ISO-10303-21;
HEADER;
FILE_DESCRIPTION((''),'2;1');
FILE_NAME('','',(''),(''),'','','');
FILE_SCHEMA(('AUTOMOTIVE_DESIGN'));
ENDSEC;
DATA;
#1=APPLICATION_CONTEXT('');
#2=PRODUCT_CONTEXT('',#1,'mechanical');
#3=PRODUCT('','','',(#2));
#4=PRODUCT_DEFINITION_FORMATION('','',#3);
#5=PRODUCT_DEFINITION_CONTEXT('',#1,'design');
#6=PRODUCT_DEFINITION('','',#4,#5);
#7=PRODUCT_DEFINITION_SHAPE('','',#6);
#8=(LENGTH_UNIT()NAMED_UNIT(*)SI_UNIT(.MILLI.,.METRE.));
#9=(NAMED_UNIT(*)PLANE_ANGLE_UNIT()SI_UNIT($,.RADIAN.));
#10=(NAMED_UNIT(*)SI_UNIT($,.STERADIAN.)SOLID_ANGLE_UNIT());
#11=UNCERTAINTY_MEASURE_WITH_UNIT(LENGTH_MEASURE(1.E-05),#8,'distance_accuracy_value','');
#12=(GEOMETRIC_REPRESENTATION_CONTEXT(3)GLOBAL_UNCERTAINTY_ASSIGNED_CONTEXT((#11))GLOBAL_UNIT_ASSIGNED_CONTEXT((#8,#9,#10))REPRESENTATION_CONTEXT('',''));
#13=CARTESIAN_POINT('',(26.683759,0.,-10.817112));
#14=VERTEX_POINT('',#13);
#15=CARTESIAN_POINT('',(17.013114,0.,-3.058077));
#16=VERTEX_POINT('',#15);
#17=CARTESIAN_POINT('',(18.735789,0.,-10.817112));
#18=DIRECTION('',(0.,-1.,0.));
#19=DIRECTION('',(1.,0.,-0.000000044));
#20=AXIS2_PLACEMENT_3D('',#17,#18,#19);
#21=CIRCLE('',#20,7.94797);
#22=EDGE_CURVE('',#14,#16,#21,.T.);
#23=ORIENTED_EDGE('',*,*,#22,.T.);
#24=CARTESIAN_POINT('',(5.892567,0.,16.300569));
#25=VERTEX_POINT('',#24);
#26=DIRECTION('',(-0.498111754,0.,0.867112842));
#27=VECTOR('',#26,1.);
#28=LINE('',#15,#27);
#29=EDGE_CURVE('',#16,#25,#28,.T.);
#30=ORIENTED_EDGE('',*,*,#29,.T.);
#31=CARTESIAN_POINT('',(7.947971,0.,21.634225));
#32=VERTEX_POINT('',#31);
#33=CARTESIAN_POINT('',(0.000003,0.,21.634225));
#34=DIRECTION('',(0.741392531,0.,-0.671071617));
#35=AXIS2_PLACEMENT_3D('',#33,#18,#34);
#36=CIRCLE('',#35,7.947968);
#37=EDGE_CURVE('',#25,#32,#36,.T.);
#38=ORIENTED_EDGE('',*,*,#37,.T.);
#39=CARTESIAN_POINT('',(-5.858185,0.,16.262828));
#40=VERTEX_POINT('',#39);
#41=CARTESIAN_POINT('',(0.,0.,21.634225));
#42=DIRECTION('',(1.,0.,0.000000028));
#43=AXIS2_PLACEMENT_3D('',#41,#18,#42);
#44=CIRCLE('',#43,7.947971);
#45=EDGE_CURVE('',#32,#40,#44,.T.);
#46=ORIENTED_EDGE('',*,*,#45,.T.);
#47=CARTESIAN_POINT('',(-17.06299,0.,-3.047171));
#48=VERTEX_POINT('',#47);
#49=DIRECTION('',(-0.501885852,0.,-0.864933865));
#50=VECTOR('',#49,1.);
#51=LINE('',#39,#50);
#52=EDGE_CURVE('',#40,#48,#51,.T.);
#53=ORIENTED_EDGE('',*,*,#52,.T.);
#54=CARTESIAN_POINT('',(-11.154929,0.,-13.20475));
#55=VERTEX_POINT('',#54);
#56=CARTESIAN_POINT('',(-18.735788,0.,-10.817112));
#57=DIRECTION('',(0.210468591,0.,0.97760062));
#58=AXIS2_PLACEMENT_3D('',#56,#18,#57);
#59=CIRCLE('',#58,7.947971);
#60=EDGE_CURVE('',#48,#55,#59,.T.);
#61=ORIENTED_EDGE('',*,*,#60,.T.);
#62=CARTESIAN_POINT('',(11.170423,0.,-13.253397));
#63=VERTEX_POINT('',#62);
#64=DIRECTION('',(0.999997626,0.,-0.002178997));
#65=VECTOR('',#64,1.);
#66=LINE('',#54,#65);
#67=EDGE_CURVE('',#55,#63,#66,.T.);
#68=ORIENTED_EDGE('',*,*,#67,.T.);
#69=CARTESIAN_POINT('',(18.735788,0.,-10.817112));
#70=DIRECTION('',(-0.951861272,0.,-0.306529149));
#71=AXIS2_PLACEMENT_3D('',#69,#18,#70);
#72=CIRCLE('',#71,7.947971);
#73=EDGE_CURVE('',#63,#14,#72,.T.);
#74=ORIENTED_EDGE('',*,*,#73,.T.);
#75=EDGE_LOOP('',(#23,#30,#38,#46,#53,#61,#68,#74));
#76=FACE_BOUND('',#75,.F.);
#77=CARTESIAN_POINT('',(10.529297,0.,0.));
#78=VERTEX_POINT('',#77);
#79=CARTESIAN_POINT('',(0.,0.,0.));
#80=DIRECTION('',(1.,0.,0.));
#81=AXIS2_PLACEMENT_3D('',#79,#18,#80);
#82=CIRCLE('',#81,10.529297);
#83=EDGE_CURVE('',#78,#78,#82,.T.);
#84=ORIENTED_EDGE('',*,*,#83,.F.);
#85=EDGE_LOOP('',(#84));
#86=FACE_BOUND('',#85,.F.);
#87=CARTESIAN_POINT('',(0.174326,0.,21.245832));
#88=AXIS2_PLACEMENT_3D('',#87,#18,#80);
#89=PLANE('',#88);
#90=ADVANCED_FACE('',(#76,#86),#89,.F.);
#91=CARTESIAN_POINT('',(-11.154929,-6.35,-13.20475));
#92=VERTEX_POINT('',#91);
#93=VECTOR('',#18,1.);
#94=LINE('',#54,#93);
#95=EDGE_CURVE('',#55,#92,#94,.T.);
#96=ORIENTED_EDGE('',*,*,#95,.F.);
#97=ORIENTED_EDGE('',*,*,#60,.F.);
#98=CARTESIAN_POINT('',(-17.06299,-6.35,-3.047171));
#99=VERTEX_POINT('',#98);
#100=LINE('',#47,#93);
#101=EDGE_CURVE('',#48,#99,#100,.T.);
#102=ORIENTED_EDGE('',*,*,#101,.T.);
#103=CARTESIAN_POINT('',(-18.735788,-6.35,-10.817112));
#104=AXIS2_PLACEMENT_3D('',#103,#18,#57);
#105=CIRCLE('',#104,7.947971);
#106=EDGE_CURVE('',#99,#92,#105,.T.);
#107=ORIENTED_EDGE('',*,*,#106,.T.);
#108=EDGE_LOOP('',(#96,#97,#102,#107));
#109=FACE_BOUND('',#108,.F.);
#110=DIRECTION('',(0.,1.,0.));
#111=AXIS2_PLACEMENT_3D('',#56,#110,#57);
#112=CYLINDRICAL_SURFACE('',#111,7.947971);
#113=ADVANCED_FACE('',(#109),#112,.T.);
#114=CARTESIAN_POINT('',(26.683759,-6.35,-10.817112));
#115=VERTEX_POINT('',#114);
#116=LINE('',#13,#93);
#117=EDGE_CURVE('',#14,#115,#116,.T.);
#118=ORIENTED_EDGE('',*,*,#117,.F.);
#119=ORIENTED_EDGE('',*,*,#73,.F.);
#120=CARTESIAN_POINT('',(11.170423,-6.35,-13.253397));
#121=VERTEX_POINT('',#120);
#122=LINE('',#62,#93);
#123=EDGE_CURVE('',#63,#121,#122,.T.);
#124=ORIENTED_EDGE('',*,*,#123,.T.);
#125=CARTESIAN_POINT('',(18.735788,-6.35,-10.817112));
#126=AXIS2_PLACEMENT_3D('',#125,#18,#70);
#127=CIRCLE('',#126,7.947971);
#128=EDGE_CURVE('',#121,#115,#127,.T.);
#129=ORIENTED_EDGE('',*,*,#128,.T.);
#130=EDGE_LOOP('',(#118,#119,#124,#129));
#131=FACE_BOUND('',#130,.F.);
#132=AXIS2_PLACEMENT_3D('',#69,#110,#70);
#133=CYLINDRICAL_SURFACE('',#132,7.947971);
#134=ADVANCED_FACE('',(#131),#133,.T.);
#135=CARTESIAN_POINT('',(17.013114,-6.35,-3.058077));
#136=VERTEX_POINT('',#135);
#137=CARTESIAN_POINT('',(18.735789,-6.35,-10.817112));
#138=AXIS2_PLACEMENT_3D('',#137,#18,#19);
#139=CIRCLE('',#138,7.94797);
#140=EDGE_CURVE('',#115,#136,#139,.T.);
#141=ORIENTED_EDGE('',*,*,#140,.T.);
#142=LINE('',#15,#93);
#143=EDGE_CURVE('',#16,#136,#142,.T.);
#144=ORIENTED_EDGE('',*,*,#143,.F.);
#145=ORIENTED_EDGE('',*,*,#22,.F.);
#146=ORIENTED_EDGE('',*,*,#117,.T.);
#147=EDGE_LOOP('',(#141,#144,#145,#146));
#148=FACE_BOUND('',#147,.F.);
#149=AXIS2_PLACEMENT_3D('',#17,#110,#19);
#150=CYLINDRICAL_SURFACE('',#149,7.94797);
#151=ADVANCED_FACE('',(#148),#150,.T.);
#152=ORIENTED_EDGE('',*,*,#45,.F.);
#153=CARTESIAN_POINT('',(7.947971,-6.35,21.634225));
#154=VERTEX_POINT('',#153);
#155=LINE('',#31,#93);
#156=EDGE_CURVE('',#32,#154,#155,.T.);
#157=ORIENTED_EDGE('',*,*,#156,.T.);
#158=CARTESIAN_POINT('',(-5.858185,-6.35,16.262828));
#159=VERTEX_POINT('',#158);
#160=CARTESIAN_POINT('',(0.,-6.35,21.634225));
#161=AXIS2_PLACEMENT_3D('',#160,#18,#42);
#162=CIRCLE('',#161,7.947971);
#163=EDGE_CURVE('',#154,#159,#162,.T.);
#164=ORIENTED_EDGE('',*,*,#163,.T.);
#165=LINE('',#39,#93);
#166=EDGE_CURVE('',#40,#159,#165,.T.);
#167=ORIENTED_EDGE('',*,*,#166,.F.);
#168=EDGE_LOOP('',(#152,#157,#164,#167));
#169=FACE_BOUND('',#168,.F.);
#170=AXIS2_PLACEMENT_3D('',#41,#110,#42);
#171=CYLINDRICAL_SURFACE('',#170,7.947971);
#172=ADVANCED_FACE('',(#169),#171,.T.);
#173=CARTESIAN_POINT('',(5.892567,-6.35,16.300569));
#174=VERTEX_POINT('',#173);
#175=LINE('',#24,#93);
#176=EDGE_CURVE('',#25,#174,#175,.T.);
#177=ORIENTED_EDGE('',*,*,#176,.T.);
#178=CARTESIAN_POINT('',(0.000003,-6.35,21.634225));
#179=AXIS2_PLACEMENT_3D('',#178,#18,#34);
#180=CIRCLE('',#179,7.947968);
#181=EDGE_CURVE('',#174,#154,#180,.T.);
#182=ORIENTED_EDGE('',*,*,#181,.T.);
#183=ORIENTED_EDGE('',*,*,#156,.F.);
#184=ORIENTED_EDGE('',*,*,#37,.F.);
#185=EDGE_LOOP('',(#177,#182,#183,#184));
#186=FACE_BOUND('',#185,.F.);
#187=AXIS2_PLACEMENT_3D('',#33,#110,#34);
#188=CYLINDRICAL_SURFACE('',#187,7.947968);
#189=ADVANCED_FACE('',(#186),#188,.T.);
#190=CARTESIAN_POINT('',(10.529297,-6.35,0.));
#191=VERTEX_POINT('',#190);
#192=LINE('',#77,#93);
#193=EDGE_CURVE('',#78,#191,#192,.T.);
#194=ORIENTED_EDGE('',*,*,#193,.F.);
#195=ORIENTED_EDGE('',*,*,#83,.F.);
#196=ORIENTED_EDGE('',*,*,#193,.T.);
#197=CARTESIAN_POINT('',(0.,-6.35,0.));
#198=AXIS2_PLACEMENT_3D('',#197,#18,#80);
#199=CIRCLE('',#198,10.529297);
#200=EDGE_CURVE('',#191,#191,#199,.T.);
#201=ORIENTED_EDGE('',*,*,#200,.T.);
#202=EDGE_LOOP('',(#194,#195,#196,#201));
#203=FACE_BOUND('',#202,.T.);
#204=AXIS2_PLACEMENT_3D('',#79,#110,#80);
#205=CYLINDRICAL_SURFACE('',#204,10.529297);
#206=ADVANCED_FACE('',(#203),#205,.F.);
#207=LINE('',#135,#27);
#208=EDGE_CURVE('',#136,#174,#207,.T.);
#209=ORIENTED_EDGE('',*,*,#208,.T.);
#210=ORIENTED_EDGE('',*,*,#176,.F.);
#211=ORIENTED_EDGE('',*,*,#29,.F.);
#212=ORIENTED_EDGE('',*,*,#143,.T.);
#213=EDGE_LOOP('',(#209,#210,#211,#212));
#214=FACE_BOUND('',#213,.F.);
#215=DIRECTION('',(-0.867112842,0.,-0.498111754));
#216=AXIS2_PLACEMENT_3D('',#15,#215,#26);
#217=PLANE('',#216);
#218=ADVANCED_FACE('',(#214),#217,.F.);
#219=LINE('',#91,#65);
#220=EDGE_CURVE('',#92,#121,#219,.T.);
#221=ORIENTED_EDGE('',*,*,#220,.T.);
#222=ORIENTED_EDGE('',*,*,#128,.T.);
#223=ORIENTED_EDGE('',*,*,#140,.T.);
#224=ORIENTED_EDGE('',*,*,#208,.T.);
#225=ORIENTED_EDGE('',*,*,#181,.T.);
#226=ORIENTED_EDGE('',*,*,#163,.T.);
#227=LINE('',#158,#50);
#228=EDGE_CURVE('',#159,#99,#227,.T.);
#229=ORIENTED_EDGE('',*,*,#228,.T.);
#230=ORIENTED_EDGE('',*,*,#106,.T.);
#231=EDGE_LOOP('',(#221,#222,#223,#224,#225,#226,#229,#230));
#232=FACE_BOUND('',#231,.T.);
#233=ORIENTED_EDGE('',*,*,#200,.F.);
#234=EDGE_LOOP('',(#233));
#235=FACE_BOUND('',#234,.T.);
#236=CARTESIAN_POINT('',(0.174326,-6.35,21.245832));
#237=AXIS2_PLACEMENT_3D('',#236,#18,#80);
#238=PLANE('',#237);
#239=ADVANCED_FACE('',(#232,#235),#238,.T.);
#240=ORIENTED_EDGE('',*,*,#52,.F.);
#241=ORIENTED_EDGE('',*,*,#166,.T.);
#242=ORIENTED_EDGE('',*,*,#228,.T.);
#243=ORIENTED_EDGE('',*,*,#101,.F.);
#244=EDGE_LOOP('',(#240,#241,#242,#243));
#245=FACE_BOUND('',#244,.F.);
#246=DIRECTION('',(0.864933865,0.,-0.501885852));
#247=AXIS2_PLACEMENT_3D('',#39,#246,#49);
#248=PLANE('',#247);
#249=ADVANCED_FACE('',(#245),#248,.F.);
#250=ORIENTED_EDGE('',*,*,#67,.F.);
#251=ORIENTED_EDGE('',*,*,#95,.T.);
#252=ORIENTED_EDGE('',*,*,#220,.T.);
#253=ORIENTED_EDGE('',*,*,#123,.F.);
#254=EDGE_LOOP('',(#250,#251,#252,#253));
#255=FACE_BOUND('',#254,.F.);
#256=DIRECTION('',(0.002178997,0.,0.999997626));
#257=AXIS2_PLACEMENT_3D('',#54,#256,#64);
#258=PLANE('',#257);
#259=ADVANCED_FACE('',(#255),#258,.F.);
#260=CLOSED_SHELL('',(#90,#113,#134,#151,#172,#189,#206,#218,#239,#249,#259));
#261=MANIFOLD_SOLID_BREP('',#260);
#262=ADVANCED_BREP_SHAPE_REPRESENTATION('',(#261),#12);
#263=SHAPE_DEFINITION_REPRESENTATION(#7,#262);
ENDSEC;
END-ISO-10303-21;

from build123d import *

# Parameters (mm, degrees)
F0_R     = 10.529297
F1_DEPTH = 6.35


with BuildPart() as f1:
    # F0 (on Front) → F1 (new body)
    with BuildSketch(Plane.XZ):
        with BuildLine():
            ThreePointArc((5.892567, 16.300569), (7.41634, 18.776229), (7.947971, 21.634225))
            ThreePointArc((7.947971, 21.634225), (-2.881801, 29.041347), (-5.858185, 16.262828))
            ThreePointArc((-5.858185, 16.262828), (0.025527, 13.686295), (5.892567, 16.300569))
        make_face()
        with BuildLine():
            ThreePointArc((5.892567, 16.300569), (0.025527, 13.686295), (-5.858185, 16.262828))
            Line((-5.858185, 16.262828), (-17.06299, -3.047171))
            ThreePointArc((-17.06299, -3.047171), (-12.552521, -5.823372), (-10.787818, -10.817112))
            ThreePointArc((-10.787818, -10.817112), (-10.880132, -12.02496), (-11.154929, -13.20475))
            Line((-11.154929, -13.20475), (11.170423, -13.253397))
            ThreePointArc((11.170423, -13.253397), (11.839916, -6.865255), (17.013114, -3.058077))
            Line((17.013114, -3.058077), (5.892567, 16.300569))
        make_face()
        Circle(F0_R, mode=Mode.SUBTRACT)
        with BuildLine():
            ThreePointArc((-10.787818, -10.817112), (-12.552521, -5.823372), (-17.06299, -3.047171))
            ThreePointArc((-17.06299, -3.047171), (-25.606134, -14.813184), (-11.154929, -13.20475))
            ThreePointArc((-11.154929, -13.20475), (-10.880132, -12.02496), (-10.787818, -10.817112))
        make_face()
        with BuildLine():
            ThreePointArc((26.683759, -10.817112), (23.709644, -4.617838), (17.013114, -3.058077))
            ThreePointArc((17.013114, -3.058077), (11.839916, -6.865255), (11.170423, -13.253397))
            ThreePointArc((11.170423, -13.253397), (19.968861, -18.668849), (26.683759, -10.817112))
        make_face()
    extrude(amount=F1_DEPTH)


solid = f1.part
